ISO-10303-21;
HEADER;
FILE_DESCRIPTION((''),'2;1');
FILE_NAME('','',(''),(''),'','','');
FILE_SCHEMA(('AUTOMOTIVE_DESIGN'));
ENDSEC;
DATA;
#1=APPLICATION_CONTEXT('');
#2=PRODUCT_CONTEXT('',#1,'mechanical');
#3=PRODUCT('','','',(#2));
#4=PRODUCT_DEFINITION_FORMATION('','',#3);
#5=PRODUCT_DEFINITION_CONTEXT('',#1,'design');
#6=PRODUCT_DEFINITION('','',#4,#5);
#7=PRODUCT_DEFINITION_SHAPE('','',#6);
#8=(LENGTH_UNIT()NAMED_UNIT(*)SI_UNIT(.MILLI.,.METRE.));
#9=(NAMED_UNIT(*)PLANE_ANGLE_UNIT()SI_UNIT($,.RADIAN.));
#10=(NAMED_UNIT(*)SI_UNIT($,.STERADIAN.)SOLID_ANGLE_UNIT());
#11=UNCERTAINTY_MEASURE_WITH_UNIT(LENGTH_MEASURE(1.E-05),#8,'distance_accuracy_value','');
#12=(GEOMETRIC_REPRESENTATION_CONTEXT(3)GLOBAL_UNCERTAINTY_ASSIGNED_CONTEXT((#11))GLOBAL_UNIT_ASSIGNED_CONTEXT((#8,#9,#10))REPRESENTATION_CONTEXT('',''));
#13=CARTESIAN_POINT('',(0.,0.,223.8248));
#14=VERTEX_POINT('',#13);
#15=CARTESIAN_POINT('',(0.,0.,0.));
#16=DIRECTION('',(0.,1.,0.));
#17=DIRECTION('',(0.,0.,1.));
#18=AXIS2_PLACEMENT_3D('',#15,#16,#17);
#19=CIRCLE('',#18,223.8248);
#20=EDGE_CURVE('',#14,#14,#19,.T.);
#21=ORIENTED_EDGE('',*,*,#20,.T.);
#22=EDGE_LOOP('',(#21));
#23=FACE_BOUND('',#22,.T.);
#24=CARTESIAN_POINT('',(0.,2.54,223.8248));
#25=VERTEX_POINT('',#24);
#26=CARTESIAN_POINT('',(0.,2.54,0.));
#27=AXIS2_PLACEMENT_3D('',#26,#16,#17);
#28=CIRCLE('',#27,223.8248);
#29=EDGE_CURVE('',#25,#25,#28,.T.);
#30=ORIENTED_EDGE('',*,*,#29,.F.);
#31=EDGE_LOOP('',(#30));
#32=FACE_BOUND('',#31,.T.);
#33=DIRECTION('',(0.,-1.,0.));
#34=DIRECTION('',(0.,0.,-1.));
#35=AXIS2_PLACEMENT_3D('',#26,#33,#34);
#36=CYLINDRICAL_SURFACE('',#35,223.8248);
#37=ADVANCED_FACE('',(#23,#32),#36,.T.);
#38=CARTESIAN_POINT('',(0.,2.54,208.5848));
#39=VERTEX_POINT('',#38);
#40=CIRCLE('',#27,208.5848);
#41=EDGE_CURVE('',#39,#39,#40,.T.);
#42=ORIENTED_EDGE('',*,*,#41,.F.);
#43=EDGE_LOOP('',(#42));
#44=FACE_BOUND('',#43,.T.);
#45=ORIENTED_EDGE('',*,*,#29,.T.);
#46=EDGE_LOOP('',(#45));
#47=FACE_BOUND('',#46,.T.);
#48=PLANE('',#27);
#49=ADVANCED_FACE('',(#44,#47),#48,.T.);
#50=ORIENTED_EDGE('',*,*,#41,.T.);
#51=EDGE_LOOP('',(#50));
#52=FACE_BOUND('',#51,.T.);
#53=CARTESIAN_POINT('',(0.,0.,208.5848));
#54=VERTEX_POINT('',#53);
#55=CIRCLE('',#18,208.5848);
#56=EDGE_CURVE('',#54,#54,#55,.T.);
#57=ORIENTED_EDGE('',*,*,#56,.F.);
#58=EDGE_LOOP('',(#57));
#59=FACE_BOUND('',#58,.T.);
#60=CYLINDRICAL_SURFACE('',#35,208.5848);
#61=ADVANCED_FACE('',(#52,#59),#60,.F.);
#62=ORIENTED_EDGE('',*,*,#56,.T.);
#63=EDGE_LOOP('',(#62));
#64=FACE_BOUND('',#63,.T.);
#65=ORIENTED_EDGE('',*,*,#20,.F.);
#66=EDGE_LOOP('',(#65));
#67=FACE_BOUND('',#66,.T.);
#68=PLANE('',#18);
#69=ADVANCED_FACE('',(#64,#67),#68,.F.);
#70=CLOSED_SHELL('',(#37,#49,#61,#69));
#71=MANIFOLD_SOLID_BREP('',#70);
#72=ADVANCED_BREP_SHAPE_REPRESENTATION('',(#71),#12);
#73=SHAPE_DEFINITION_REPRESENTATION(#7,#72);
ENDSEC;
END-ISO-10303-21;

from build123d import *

# Parameters (mm, degrees)
SKETCH1_R           = 223.8248
SKETCH1_R_2         = 208.5848
BOSS_EXTRUDE1_DEPTH = 2.54


with BuildPart() as part:
    # Sketch1 → Boss-Extrude1 (new body)
    with BuildSketch(Plane(origin=(0, 0, 0), x_dir=(1, 0, 0), z_dir=(0, 1, 0))):
        with Locations(Location((0, 0, 0), (0, 0, 270))):
            Circle(SKETCH1_R)
        with Locations(Location((0, 0, 0), (0, 0, 270))):
            Circle(SKETCH1_R_2, mode=Mode.SUBTRACT)
    extrude(amount=BOSS_EXTRUDE1_DEPTH)


solid = part.part
